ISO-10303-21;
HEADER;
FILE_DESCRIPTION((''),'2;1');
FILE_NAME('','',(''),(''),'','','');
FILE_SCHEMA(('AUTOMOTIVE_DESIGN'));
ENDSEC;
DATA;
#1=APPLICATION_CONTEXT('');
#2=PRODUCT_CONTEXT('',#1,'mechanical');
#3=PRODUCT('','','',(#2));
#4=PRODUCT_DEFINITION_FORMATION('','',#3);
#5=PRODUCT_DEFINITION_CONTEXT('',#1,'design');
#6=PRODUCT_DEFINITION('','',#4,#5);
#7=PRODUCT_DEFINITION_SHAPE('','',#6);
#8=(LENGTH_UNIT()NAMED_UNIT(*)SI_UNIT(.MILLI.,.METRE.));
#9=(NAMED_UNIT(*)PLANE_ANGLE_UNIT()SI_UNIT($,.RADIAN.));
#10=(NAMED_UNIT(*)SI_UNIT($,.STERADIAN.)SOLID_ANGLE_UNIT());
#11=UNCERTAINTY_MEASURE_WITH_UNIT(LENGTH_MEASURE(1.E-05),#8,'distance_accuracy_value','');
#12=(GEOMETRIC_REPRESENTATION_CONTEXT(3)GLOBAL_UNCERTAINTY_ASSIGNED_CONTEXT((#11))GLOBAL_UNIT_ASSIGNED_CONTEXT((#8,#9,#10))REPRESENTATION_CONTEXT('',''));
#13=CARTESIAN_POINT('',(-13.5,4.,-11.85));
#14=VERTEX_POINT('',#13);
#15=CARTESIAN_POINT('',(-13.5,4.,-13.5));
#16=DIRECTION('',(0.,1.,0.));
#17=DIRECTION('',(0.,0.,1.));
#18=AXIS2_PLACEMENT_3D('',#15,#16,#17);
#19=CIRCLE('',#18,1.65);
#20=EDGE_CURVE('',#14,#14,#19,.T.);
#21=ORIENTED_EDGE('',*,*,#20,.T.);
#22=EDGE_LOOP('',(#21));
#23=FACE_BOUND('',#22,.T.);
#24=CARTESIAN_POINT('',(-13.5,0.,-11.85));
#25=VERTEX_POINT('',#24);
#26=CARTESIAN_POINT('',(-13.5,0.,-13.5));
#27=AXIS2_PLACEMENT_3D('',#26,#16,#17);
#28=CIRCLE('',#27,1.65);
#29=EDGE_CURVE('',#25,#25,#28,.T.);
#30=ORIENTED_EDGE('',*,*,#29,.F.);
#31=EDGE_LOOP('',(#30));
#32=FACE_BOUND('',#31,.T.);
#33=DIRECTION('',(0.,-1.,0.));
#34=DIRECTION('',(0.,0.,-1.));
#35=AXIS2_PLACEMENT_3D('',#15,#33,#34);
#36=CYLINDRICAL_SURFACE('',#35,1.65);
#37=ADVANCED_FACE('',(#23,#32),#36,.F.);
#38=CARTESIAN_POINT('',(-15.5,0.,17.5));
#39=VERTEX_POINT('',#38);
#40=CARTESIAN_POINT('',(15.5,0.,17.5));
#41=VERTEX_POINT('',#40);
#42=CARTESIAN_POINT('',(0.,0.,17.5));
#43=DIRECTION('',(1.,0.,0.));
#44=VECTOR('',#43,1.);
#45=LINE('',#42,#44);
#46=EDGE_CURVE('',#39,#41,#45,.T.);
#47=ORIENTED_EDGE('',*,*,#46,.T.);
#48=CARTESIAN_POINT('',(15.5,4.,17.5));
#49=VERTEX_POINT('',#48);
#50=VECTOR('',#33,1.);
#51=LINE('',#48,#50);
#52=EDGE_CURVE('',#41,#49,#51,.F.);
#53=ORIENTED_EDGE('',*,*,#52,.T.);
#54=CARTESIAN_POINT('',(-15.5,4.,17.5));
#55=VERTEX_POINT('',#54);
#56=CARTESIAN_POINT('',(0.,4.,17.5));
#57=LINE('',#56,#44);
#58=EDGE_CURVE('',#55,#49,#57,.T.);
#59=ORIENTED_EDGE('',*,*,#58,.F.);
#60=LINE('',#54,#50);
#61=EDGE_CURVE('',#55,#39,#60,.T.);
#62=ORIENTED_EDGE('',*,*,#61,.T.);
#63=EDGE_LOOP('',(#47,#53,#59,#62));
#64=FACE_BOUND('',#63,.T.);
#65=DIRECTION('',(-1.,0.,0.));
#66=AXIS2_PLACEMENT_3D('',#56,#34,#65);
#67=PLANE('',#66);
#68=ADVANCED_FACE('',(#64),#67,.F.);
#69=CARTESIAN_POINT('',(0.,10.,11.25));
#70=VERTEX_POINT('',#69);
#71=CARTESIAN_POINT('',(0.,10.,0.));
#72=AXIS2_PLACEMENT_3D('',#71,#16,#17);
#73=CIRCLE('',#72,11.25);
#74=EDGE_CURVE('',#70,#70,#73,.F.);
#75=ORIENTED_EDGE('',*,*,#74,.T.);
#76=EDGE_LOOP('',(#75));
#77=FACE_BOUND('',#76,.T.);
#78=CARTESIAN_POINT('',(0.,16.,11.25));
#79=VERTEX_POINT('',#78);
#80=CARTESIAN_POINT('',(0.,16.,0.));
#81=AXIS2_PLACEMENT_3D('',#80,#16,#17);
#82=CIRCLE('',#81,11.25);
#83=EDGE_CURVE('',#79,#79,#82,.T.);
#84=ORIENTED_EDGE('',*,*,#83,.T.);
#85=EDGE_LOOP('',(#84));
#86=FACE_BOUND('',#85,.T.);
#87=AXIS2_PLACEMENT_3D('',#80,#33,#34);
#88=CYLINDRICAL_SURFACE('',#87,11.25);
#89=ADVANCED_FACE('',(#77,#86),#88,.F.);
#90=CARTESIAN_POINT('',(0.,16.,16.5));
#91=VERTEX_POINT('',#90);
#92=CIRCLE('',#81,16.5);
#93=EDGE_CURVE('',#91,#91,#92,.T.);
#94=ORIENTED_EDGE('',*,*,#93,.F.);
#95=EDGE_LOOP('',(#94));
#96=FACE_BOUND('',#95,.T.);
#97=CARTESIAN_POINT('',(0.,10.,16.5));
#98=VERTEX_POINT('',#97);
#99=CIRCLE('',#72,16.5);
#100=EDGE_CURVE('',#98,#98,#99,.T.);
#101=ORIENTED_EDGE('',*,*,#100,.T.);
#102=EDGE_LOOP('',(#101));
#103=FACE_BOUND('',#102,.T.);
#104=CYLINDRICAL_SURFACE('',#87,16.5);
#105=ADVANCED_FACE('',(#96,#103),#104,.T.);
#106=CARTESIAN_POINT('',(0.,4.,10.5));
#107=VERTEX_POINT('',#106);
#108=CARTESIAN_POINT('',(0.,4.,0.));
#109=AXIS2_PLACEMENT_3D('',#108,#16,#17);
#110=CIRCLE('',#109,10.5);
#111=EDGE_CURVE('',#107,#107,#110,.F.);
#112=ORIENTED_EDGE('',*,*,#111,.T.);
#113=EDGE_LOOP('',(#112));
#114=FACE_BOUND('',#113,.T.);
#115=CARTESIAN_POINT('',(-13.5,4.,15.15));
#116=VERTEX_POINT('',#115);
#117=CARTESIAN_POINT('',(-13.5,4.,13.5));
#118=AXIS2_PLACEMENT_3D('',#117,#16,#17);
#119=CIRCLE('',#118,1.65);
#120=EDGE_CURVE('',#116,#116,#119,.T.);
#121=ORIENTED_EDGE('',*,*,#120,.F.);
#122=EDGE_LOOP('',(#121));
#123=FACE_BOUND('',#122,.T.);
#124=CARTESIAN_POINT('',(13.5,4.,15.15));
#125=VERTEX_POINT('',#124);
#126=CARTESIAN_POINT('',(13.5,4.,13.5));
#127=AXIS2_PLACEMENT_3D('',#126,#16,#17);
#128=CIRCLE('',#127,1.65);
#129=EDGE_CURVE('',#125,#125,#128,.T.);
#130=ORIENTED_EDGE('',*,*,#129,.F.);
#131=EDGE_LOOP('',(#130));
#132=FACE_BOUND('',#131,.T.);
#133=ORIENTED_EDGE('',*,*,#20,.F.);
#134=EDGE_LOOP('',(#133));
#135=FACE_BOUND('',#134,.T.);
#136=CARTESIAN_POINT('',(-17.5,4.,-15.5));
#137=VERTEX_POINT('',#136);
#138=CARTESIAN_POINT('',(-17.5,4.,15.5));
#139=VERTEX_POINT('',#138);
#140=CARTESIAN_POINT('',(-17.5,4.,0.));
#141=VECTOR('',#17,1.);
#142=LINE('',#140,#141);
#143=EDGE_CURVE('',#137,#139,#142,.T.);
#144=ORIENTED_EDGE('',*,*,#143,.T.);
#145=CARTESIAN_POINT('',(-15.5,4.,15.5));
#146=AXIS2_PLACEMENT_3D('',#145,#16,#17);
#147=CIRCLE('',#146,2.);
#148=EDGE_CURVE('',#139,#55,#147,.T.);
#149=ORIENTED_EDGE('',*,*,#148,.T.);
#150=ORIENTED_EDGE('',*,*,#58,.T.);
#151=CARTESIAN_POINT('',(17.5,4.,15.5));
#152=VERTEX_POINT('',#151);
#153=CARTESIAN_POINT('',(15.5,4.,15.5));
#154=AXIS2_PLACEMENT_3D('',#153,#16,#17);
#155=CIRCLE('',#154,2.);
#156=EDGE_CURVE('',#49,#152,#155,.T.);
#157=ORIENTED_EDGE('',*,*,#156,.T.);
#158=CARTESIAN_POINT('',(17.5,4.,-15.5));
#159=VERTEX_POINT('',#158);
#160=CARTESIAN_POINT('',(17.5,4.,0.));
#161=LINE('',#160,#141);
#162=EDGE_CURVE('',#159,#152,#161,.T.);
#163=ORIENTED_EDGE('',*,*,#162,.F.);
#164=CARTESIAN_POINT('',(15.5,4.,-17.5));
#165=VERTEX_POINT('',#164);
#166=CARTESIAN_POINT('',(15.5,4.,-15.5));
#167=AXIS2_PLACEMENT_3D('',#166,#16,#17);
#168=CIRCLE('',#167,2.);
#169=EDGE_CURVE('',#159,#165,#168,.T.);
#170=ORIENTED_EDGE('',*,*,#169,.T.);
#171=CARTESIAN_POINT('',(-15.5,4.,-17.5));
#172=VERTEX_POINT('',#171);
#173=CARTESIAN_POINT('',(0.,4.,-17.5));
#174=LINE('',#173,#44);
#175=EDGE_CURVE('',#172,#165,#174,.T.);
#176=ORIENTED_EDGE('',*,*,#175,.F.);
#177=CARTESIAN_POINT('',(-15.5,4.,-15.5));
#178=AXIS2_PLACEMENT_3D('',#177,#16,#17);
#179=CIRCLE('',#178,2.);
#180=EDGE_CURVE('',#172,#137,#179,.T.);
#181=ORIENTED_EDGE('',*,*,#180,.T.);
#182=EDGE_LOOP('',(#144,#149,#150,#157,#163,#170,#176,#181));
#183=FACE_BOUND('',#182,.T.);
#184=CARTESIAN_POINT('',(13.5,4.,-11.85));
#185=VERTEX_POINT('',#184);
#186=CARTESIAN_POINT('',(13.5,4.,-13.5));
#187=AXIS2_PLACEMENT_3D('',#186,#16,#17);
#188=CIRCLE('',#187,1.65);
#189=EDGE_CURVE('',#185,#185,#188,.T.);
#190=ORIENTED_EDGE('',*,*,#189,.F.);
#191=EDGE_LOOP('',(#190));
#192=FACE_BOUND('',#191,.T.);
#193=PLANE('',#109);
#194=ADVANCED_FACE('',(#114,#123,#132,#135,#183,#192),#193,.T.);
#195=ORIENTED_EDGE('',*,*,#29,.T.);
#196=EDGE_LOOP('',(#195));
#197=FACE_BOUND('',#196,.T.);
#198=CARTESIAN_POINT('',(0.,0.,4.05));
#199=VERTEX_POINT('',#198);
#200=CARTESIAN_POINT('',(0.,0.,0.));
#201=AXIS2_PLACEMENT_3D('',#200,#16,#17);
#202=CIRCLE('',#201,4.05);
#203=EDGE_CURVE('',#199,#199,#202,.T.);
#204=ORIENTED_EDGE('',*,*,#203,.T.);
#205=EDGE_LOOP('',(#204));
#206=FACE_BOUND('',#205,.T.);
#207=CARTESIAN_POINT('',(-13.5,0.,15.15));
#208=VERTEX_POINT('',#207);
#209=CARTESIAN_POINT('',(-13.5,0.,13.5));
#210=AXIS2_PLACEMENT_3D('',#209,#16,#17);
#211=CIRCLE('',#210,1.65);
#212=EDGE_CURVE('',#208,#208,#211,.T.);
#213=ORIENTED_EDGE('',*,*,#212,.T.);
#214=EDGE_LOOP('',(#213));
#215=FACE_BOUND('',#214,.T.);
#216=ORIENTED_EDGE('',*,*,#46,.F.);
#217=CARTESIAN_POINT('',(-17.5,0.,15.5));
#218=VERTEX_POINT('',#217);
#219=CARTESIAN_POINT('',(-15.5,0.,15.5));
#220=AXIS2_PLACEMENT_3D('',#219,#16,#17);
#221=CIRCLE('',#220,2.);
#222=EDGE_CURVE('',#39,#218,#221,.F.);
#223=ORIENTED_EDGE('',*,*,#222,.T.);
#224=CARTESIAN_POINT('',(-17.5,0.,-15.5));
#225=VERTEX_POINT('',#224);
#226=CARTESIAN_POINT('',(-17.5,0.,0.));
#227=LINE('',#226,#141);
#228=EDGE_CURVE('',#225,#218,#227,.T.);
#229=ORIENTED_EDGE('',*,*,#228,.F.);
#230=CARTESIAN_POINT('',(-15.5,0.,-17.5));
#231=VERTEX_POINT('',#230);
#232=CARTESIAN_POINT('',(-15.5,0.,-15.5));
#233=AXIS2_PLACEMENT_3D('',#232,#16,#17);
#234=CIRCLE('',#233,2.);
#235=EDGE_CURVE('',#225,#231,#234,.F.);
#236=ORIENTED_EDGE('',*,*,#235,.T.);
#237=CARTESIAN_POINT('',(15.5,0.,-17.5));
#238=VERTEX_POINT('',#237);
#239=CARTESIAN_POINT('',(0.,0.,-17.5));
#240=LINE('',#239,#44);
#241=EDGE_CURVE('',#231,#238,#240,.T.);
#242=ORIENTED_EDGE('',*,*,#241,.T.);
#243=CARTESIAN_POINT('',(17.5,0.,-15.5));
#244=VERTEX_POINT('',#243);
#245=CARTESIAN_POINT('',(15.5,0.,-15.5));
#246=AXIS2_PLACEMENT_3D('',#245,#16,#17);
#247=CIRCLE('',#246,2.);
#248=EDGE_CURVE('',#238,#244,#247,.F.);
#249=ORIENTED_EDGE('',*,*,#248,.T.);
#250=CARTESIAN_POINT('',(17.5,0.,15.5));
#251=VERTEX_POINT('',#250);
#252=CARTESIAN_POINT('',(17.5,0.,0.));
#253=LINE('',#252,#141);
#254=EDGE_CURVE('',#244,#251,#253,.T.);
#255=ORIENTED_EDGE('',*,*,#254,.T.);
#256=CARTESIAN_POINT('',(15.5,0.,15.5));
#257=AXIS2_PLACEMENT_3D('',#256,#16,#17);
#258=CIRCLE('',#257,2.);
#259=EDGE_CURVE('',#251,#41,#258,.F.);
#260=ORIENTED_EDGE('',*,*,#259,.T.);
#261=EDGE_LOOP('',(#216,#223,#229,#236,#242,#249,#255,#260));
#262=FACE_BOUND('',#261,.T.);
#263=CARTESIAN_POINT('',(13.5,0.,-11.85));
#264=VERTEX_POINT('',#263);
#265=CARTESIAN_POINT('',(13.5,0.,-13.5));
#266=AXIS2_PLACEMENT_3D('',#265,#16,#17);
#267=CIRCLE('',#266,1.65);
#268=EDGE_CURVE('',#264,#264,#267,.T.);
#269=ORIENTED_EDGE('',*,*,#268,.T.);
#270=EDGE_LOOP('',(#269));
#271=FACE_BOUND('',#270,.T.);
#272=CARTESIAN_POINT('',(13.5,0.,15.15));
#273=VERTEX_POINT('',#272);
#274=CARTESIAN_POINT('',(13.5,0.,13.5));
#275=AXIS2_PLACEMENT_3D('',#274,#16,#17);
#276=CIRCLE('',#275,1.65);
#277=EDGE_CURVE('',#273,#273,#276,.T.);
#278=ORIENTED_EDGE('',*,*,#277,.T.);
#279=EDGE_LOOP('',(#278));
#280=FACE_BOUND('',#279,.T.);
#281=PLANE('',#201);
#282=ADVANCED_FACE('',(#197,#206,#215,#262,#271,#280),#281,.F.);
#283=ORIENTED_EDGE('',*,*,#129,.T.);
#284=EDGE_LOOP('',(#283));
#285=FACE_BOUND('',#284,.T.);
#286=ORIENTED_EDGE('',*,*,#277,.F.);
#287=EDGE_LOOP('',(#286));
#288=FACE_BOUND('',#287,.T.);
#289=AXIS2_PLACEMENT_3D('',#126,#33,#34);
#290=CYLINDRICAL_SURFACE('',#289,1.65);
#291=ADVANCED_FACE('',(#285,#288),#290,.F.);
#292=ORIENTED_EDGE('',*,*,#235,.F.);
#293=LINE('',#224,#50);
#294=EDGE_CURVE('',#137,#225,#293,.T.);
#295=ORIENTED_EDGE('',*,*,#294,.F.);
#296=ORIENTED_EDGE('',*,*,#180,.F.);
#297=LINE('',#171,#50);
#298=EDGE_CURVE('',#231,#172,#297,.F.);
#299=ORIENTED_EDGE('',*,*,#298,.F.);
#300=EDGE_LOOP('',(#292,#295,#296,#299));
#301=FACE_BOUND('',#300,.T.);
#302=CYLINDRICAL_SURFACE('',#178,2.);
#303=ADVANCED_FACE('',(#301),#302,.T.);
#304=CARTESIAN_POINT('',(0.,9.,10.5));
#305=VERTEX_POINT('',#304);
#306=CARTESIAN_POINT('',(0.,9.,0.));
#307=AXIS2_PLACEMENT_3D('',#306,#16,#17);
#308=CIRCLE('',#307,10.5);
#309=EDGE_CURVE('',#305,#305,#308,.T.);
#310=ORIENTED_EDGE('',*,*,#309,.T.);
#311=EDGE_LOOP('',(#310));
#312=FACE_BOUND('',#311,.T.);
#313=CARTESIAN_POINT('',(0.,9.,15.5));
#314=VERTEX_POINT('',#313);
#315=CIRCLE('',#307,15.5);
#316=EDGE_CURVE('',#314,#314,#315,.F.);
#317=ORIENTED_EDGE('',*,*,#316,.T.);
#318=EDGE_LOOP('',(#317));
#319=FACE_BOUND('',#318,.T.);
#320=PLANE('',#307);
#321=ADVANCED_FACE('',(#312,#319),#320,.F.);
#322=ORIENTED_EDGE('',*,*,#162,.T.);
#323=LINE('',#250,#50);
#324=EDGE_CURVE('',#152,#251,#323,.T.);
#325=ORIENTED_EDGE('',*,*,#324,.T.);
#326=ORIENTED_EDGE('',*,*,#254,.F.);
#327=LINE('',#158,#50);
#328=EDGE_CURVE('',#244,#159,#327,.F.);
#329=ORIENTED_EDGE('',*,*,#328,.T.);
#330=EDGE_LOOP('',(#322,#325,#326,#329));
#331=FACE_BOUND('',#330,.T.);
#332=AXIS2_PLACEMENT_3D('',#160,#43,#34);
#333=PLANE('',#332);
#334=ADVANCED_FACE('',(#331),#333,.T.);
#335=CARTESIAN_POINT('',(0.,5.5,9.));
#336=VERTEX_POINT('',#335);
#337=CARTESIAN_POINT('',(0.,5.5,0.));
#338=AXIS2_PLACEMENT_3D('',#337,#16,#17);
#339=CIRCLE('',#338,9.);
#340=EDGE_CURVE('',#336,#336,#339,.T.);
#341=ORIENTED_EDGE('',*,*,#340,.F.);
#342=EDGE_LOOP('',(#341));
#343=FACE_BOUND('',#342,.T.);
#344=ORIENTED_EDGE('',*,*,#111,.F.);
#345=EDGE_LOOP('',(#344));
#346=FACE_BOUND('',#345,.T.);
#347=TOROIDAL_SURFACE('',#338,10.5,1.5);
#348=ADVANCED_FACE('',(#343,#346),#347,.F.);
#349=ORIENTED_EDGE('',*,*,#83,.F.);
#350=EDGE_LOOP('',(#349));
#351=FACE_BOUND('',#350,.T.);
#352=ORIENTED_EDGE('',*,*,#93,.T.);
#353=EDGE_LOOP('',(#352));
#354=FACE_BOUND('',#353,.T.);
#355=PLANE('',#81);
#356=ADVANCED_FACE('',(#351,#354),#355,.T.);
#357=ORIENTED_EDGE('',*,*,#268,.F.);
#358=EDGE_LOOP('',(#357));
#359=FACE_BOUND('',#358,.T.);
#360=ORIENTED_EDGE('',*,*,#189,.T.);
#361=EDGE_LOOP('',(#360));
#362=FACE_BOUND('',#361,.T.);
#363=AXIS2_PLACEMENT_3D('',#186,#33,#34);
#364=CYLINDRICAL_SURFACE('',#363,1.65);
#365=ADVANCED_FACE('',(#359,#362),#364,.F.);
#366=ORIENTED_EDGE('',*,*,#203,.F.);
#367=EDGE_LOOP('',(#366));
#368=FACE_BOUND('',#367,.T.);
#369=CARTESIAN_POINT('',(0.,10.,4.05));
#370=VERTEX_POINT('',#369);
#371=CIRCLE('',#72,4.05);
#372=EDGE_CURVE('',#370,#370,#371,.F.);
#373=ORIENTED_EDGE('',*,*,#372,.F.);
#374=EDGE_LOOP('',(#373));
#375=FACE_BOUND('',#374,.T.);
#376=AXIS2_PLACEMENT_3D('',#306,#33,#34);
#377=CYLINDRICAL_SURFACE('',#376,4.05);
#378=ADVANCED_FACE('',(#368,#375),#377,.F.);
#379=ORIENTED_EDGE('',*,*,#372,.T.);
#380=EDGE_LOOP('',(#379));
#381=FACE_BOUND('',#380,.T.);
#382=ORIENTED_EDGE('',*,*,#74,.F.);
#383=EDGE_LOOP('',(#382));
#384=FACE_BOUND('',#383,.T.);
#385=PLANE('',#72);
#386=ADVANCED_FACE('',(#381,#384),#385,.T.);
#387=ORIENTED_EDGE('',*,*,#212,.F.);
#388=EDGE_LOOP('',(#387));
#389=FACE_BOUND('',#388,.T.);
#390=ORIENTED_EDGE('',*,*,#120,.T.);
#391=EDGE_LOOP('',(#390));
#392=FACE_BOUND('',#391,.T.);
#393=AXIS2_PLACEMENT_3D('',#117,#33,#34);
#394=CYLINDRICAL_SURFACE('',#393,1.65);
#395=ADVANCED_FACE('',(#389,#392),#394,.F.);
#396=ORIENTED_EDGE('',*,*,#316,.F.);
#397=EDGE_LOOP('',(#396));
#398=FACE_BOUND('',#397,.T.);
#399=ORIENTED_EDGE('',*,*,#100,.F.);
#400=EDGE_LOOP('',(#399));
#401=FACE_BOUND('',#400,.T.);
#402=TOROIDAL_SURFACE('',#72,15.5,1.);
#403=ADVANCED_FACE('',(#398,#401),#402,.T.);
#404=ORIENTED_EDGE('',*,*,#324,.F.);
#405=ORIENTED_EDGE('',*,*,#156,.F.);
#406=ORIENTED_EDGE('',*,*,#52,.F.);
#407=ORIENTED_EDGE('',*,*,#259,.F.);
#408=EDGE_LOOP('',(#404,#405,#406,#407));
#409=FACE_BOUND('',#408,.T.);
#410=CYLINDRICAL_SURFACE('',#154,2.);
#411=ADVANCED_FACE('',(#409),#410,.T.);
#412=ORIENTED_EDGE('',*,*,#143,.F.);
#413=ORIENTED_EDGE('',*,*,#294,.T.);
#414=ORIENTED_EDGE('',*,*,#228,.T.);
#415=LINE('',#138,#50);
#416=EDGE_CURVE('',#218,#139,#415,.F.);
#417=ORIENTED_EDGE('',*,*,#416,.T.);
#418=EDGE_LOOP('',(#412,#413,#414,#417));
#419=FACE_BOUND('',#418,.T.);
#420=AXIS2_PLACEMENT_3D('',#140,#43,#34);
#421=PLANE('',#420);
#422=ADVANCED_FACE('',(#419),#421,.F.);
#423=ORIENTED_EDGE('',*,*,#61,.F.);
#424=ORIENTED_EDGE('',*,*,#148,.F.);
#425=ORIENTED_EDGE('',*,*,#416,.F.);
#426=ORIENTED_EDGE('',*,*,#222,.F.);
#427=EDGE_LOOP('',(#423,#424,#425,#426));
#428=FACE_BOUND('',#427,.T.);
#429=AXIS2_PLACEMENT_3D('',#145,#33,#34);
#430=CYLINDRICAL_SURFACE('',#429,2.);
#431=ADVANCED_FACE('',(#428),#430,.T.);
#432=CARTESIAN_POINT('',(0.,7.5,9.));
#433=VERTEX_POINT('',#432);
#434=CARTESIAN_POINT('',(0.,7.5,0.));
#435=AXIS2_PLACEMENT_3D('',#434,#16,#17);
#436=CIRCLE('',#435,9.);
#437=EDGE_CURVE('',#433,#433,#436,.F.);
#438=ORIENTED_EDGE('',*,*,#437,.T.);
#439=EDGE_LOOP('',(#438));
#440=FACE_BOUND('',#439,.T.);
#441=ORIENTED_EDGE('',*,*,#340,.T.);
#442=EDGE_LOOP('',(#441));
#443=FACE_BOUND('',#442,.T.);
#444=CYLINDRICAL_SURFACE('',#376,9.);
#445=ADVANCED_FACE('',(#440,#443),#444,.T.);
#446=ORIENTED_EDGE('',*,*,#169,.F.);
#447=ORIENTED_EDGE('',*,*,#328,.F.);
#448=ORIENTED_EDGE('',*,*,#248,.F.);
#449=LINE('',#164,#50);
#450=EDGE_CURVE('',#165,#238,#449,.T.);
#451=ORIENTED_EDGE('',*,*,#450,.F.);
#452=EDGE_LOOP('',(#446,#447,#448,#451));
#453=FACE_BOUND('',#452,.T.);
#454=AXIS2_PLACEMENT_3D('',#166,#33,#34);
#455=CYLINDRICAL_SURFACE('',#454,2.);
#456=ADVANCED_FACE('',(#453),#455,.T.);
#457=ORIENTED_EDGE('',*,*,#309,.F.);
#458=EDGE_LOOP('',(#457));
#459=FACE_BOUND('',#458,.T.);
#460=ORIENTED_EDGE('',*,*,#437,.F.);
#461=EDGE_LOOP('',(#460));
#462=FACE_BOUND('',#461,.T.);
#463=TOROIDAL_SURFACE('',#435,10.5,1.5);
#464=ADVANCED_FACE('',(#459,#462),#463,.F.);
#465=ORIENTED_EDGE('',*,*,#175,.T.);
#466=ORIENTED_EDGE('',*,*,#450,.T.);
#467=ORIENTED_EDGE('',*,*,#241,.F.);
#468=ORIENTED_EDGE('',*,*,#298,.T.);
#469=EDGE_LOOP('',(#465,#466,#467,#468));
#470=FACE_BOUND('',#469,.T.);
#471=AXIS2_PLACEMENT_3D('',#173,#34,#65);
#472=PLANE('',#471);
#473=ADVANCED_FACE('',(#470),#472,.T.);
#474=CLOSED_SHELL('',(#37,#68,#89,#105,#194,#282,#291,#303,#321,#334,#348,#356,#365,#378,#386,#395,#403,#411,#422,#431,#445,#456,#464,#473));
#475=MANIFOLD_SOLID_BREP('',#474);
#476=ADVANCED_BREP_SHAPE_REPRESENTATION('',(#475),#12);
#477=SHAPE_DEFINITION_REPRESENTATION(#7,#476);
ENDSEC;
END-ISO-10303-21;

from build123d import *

# Parameters (mm, degrees)
CROQUIS1_W              = 35
CROQUIS1_H              = 35
CROQUIS1_R              = 1.65
CROQUIS1_R_2            = 9
SALIENTE_EXTRUIR1_DEPTH = 4
REDONDEO2_R             = 2
CROQUIS1_8_R            = 9
CROQUIS1_8_R_2          = 4.05
SALIENTE_EXTRUIR2_DEPTH = 9
CROQUIS2_R              = 16.5
CROQUIS2_R_2            = 11.25
SALIENTE_EXTRUIR3_DEPTH = 7
REDONDEO3_R             = 1.5
CROQUIS2_3_R            = 11.25
CROQUIS2_3_R_2          = 9
CROQUIS2_3_R_3          = 4.05
SALIENTE_EXTRUIR4_DEPTH = 1
REDONDEO4_R             = 1.5
REDONDEO5_R             = 1


with BuildPart() as part:
    # Croquis1 → Saliente-Extruir1 (new body)
    with BuildSketch(Plane(origin=(0, 0, 0), x_dir=(1, 0, 0), z_dir=(0, 1, 0))):
        Rectangle(CROQUIS1_W, CROQUIS1_H)
        with Locations((-13.5, -13.5)):
            Circle(CROQUIS1_R, mode=Mode.SUBTRACT)
        with Locations((13.5, -13.5)):
            Circle(CROQUIS1_R, mode=Mode.SUBTRACT)
        with Locations((13.5, 13.5)):
            Circle(CROQUIS1_R, mode=Mode.SUBTRACT)
        with Locations((-13.5, 13.5)):
            Circle(CROQUIS1_R, mode=Mode.SUBTRACT)
        Circle(CROQUIS1_R_2, mode=Mode.SUBTRACT)
    extrude(amount=SALIENTE_EXTRUIR1_DEPTH)

    # Redondeo2
    redondeo2_edges = [part.edges().sort_by_distance(p)[0] for p in [
        (17.5, 2, 17.5),
        (-17.5, 2, 17.5),
        (-17.5, 2, -17.5),
        (17.5, 2, -17.5),
    ]]
    fillet(redondeo2_edges, radius=REDONDEO2_R)

    # Croquis1<8> → Saliente-Extruir2 (add)
    with BuildSketch(Plane(origin=(0, 0, 0), x_dir=(1, 0, 0), z_dir=(0, 1, 0))):
        Circle(CROQUIS1_8_R)
        Circle(CROQUIS1_8_R_2, mode=Mode.SUBTRACT)
    extrude(amount=SALIENTE_EXTRUIR2_DEPTH)

    # Redondeo3
    redondeo3_edges = [part.edges().sort_by_distance(p)[0] for p in [
        (-9, 4, 0),
    ]]
    fillet(redondeo3_edges, radius=REDONDEO3_R)



with BuildPart() as body_2:
    # Croquis2 → Saliente-Extruir3 (new body)
    with BuildSketch(Plane(origin=(0, 9, 0), x_dir=(1, 0, 0), z_dir=(0, 1, 0))):
        Circle(CROQUIS2_R)
        Circle(CROQUIS2_R_2, mode=Mode.SUBTRACT)
    extrude(amount=SALIENTE_EXTRUIR3_DEPTH)


with BuildPart() as part_1:
    add(part.part)

    add(body_2.part)  # Saliente-Extruir4 merges body 2
    # Croquis2<3> → Saliente-Extruir4 (add)
    with BuildSketch(Plane(origin=(0, 9, 0), x_dir=(1, 0, 0), z_dir=(0, 1, 0))):
        Circle(CROQUIS2_3_R)
        Circle(CROQUIS2_3_R_2, mode=Mode.SUBTRACT)
        Circle(CROQUIS2_3_R_2)
        Circle(CROQUIS2_3_R_3, mode=Mode.SUBTRACT)
    extrude(amount=SALIENTE_EXTRUIR4_DEPTH)

    # Redondeo4
    redondeo4_edges = [part_1.edges().sort_by_distance(p)[0] for p in [
        (-9, 9, 0),
    ]]
    fillet(redondeo4_edges, radius=REDONDEO4_R)

    # Redondeo5
    redondeo5_edges = [part_1.edges().sort_by_distance(p)[0] for p in [
        (-16.5, 9, 0),
    ]]
    fillet(redondeo5_edges, radius=REDONDEO5_R)


solid = part_1.part
